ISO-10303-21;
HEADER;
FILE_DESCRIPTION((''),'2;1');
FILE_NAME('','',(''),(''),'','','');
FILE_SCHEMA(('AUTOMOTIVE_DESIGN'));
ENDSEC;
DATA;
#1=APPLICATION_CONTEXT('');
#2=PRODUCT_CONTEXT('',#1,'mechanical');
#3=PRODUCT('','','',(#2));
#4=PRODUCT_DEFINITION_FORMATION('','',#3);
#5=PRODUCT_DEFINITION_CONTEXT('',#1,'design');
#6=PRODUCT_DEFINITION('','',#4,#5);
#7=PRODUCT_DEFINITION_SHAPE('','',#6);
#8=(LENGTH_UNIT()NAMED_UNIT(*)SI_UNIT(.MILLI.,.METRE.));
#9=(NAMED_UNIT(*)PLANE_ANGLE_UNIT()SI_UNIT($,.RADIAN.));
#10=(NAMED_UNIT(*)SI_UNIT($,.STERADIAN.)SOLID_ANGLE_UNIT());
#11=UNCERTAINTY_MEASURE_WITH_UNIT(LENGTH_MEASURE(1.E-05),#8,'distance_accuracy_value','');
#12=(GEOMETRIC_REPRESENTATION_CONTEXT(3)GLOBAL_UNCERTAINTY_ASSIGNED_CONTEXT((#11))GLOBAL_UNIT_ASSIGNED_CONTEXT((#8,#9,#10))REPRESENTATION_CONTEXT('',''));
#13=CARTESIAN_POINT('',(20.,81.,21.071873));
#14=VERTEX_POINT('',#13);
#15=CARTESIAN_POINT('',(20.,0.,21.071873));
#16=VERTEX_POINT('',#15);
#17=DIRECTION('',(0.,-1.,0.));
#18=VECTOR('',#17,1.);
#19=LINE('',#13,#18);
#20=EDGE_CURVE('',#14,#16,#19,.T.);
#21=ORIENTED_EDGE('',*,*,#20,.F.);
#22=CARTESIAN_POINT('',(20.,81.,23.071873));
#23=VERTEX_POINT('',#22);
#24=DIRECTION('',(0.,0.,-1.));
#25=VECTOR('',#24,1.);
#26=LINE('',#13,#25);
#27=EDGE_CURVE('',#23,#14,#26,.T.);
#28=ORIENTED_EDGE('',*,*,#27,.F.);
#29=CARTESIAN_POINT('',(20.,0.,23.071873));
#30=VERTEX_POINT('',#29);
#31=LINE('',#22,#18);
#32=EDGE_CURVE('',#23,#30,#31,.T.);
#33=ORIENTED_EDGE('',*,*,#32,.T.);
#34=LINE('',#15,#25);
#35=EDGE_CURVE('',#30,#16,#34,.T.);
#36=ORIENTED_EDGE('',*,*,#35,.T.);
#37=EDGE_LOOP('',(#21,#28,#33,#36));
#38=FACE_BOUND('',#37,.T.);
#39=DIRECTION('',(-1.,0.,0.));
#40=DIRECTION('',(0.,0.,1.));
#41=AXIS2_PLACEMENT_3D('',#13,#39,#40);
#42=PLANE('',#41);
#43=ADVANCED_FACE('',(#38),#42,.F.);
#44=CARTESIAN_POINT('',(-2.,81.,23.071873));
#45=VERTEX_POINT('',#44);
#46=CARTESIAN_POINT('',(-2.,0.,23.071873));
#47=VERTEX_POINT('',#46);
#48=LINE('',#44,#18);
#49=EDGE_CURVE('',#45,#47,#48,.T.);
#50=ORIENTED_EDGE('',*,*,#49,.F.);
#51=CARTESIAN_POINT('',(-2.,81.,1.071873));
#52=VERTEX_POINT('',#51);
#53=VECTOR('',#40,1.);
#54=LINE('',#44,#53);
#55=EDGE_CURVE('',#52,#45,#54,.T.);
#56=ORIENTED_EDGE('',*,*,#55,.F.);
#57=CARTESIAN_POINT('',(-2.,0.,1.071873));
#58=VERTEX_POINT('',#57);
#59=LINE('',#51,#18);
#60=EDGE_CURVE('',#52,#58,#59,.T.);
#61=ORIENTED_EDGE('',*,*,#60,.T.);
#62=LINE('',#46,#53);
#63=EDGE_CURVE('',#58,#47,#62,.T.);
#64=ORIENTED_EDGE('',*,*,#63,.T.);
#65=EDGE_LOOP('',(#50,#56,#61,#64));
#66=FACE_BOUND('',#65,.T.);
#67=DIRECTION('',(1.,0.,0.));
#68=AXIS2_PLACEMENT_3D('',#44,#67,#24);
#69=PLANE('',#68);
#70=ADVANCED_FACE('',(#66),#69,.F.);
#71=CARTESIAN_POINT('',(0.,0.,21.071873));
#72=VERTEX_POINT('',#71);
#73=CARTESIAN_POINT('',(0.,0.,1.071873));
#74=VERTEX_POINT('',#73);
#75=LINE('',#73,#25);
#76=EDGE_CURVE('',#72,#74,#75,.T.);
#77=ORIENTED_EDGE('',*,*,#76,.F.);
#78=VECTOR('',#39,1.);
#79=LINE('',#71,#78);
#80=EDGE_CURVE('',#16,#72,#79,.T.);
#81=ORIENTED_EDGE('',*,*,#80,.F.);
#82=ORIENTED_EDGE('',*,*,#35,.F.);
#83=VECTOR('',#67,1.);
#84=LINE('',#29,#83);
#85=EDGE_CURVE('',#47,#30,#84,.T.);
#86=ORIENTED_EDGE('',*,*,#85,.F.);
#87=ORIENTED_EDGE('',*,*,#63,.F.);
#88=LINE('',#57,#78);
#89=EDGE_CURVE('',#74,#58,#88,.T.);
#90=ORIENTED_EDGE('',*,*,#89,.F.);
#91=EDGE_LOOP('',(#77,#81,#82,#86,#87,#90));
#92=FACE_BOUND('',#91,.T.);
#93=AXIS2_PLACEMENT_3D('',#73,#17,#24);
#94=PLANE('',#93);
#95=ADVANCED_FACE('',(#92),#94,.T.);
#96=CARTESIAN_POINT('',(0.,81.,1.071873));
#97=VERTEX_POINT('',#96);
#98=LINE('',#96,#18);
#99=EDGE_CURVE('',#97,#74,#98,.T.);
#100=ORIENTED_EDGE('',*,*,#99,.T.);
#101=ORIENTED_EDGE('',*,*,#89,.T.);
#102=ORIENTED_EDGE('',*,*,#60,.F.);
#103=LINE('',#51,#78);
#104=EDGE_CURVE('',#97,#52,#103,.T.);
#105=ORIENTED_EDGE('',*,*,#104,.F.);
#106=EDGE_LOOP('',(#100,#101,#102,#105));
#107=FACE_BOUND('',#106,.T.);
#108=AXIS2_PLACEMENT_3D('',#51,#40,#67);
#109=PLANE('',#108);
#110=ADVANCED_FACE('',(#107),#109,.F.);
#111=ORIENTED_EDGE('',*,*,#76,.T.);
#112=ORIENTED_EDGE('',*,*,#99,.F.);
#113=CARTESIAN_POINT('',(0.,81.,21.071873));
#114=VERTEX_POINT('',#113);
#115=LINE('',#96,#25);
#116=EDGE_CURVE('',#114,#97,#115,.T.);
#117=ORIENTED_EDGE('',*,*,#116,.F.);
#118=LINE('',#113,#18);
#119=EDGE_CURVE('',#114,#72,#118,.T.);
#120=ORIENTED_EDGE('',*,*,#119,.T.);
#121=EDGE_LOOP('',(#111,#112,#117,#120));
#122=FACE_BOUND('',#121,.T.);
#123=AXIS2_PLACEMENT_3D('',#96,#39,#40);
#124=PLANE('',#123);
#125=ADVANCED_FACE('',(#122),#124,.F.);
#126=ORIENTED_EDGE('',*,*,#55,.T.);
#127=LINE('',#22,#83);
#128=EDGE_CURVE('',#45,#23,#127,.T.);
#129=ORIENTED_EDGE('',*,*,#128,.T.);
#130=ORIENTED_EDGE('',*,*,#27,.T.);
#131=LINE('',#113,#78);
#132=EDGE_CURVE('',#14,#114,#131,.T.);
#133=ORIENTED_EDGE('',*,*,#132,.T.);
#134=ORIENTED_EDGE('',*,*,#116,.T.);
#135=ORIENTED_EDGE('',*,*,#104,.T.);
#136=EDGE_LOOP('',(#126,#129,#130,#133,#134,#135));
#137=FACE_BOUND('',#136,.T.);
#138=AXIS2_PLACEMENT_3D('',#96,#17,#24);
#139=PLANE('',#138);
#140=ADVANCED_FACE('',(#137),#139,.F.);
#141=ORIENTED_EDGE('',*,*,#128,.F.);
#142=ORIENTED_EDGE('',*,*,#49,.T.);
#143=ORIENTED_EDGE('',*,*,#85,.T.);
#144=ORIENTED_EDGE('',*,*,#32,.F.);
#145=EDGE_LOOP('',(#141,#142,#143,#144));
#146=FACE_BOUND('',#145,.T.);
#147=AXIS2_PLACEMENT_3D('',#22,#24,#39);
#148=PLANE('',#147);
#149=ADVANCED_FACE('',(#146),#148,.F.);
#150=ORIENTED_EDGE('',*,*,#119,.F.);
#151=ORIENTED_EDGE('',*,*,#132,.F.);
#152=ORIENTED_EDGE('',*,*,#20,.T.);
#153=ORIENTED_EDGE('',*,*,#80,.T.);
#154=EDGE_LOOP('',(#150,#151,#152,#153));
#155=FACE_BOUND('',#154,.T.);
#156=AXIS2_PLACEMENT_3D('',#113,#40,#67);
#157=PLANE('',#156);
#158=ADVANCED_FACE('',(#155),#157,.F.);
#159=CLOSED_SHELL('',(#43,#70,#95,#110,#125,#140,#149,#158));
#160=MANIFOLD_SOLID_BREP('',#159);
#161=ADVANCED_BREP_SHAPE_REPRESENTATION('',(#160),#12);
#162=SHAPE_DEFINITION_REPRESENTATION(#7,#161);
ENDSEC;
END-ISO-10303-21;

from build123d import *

# Parameters (mm, degrees)
EXTRUDE_1_DEPTH = 81


with BuildPart() as part:
    # Эскиз1 → Вытянуть1 (new body)
    with BuildSketch(Plane(origin=(0, 0, 0), x_dir=(1, 0, 0), z_dir=(0, 1, 0))):
        Polygon((0, -1.071873395), (0, -21.071873395), (20, -21.071873395), (20, -23.071873395), (-2, -23.071873395), (-2, -1.071873395), align=None)
    extrude(amount=EXTRUDE_1_DEPTH)


solid = part.part
